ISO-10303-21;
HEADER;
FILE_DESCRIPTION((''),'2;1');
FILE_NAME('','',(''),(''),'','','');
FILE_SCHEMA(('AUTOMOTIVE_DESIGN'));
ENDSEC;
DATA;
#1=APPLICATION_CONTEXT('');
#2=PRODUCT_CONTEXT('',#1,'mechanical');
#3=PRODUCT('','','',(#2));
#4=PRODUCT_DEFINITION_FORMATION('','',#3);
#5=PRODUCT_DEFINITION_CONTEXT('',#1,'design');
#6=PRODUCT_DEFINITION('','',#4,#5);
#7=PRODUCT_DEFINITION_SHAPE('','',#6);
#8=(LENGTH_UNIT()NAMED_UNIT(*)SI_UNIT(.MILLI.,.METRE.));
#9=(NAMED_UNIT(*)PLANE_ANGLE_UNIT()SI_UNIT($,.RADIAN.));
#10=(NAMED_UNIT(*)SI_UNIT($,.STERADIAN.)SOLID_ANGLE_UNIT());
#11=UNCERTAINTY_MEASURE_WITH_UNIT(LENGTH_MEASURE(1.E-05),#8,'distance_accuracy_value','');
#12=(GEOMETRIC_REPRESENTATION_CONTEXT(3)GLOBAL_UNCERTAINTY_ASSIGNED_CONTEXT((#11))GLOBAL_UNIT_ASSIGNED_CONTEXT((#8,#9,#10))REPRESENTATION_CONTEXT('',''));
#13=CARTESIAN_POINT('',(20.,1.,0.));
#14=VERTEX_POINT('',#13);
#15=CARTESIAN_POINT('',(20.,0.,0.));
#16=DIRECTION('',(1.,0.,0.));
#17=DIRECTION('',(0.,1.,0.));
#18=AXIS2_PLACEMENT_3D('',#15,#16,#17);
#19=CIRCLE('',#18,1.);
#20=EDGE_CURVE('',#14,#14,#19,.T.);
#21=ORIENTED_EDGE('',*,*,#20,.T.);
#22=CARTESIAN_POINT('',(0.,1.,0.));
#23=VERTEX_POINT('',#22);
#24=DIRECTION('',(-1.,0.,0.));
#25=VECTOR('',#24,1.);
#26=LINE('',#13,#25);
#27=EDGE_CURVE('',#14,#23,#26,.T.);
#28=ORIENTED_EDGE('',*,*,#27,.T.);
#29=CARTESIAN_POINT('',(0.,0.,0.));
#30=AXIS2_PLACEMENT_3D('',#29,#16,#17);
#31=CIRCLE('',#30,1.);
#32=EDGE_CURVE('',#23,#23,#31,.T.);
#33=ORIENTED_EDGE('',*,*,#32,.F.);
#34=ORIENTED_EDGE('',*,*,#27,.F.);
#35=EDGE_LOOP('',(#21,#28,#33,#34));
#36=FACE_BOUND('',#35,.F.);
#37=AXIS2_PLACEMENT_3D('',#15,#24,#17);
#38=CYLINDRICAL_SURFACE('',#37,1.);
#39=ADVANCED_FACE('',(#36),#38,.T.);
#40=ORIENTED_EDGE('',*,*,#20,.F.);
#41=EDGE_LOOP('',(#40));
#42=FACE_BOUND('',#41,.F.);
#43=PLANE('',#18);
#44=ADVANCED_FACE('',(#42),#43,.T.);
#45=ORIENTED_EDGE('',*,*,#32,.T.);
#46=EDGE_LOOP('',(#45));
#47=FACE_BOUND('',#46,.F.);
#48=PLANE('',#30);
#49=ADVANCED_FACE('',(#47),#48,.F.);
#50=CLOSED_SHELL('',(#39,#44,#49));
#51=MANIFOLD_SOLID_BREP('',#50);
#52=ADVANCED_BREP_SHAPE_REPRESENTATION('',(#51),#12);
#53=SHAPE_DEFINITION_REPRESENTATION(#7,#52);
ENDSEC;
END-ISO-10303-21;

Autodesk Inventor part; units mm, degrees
ref_plane "YZ Plane" through (0, 0, 0) normal (1, 0, 0) x (0, 1, 0)
ref_plane "XZ Plane" through (0, 0, 0) normal (0, 1, 0) x (-1, 0, 0)
ref_plane "XY Plane" through (0, 0, 0) normal (0, 0, 1) x (1, 0, 0)
sketch "Sketch1" plane through (0, 0, 0) normal (0, 0, 1) x (1, 0, 0)
  line L0 (0, 0) -> (20, 0)
  line L1 (20, 0) -> (20, 1)
  line L2 (20, 1) -> (0, 1)
  line L3 (0, 1) -> (0, 0)
  dimension "d0" = 1
  dimension "d1" = 20
revolve "Revolution1" add sketch "Sketch1" angle 360 about axis through (0, 0, 0) along (1, 0, 0)
properties part number "motor_shaft"
